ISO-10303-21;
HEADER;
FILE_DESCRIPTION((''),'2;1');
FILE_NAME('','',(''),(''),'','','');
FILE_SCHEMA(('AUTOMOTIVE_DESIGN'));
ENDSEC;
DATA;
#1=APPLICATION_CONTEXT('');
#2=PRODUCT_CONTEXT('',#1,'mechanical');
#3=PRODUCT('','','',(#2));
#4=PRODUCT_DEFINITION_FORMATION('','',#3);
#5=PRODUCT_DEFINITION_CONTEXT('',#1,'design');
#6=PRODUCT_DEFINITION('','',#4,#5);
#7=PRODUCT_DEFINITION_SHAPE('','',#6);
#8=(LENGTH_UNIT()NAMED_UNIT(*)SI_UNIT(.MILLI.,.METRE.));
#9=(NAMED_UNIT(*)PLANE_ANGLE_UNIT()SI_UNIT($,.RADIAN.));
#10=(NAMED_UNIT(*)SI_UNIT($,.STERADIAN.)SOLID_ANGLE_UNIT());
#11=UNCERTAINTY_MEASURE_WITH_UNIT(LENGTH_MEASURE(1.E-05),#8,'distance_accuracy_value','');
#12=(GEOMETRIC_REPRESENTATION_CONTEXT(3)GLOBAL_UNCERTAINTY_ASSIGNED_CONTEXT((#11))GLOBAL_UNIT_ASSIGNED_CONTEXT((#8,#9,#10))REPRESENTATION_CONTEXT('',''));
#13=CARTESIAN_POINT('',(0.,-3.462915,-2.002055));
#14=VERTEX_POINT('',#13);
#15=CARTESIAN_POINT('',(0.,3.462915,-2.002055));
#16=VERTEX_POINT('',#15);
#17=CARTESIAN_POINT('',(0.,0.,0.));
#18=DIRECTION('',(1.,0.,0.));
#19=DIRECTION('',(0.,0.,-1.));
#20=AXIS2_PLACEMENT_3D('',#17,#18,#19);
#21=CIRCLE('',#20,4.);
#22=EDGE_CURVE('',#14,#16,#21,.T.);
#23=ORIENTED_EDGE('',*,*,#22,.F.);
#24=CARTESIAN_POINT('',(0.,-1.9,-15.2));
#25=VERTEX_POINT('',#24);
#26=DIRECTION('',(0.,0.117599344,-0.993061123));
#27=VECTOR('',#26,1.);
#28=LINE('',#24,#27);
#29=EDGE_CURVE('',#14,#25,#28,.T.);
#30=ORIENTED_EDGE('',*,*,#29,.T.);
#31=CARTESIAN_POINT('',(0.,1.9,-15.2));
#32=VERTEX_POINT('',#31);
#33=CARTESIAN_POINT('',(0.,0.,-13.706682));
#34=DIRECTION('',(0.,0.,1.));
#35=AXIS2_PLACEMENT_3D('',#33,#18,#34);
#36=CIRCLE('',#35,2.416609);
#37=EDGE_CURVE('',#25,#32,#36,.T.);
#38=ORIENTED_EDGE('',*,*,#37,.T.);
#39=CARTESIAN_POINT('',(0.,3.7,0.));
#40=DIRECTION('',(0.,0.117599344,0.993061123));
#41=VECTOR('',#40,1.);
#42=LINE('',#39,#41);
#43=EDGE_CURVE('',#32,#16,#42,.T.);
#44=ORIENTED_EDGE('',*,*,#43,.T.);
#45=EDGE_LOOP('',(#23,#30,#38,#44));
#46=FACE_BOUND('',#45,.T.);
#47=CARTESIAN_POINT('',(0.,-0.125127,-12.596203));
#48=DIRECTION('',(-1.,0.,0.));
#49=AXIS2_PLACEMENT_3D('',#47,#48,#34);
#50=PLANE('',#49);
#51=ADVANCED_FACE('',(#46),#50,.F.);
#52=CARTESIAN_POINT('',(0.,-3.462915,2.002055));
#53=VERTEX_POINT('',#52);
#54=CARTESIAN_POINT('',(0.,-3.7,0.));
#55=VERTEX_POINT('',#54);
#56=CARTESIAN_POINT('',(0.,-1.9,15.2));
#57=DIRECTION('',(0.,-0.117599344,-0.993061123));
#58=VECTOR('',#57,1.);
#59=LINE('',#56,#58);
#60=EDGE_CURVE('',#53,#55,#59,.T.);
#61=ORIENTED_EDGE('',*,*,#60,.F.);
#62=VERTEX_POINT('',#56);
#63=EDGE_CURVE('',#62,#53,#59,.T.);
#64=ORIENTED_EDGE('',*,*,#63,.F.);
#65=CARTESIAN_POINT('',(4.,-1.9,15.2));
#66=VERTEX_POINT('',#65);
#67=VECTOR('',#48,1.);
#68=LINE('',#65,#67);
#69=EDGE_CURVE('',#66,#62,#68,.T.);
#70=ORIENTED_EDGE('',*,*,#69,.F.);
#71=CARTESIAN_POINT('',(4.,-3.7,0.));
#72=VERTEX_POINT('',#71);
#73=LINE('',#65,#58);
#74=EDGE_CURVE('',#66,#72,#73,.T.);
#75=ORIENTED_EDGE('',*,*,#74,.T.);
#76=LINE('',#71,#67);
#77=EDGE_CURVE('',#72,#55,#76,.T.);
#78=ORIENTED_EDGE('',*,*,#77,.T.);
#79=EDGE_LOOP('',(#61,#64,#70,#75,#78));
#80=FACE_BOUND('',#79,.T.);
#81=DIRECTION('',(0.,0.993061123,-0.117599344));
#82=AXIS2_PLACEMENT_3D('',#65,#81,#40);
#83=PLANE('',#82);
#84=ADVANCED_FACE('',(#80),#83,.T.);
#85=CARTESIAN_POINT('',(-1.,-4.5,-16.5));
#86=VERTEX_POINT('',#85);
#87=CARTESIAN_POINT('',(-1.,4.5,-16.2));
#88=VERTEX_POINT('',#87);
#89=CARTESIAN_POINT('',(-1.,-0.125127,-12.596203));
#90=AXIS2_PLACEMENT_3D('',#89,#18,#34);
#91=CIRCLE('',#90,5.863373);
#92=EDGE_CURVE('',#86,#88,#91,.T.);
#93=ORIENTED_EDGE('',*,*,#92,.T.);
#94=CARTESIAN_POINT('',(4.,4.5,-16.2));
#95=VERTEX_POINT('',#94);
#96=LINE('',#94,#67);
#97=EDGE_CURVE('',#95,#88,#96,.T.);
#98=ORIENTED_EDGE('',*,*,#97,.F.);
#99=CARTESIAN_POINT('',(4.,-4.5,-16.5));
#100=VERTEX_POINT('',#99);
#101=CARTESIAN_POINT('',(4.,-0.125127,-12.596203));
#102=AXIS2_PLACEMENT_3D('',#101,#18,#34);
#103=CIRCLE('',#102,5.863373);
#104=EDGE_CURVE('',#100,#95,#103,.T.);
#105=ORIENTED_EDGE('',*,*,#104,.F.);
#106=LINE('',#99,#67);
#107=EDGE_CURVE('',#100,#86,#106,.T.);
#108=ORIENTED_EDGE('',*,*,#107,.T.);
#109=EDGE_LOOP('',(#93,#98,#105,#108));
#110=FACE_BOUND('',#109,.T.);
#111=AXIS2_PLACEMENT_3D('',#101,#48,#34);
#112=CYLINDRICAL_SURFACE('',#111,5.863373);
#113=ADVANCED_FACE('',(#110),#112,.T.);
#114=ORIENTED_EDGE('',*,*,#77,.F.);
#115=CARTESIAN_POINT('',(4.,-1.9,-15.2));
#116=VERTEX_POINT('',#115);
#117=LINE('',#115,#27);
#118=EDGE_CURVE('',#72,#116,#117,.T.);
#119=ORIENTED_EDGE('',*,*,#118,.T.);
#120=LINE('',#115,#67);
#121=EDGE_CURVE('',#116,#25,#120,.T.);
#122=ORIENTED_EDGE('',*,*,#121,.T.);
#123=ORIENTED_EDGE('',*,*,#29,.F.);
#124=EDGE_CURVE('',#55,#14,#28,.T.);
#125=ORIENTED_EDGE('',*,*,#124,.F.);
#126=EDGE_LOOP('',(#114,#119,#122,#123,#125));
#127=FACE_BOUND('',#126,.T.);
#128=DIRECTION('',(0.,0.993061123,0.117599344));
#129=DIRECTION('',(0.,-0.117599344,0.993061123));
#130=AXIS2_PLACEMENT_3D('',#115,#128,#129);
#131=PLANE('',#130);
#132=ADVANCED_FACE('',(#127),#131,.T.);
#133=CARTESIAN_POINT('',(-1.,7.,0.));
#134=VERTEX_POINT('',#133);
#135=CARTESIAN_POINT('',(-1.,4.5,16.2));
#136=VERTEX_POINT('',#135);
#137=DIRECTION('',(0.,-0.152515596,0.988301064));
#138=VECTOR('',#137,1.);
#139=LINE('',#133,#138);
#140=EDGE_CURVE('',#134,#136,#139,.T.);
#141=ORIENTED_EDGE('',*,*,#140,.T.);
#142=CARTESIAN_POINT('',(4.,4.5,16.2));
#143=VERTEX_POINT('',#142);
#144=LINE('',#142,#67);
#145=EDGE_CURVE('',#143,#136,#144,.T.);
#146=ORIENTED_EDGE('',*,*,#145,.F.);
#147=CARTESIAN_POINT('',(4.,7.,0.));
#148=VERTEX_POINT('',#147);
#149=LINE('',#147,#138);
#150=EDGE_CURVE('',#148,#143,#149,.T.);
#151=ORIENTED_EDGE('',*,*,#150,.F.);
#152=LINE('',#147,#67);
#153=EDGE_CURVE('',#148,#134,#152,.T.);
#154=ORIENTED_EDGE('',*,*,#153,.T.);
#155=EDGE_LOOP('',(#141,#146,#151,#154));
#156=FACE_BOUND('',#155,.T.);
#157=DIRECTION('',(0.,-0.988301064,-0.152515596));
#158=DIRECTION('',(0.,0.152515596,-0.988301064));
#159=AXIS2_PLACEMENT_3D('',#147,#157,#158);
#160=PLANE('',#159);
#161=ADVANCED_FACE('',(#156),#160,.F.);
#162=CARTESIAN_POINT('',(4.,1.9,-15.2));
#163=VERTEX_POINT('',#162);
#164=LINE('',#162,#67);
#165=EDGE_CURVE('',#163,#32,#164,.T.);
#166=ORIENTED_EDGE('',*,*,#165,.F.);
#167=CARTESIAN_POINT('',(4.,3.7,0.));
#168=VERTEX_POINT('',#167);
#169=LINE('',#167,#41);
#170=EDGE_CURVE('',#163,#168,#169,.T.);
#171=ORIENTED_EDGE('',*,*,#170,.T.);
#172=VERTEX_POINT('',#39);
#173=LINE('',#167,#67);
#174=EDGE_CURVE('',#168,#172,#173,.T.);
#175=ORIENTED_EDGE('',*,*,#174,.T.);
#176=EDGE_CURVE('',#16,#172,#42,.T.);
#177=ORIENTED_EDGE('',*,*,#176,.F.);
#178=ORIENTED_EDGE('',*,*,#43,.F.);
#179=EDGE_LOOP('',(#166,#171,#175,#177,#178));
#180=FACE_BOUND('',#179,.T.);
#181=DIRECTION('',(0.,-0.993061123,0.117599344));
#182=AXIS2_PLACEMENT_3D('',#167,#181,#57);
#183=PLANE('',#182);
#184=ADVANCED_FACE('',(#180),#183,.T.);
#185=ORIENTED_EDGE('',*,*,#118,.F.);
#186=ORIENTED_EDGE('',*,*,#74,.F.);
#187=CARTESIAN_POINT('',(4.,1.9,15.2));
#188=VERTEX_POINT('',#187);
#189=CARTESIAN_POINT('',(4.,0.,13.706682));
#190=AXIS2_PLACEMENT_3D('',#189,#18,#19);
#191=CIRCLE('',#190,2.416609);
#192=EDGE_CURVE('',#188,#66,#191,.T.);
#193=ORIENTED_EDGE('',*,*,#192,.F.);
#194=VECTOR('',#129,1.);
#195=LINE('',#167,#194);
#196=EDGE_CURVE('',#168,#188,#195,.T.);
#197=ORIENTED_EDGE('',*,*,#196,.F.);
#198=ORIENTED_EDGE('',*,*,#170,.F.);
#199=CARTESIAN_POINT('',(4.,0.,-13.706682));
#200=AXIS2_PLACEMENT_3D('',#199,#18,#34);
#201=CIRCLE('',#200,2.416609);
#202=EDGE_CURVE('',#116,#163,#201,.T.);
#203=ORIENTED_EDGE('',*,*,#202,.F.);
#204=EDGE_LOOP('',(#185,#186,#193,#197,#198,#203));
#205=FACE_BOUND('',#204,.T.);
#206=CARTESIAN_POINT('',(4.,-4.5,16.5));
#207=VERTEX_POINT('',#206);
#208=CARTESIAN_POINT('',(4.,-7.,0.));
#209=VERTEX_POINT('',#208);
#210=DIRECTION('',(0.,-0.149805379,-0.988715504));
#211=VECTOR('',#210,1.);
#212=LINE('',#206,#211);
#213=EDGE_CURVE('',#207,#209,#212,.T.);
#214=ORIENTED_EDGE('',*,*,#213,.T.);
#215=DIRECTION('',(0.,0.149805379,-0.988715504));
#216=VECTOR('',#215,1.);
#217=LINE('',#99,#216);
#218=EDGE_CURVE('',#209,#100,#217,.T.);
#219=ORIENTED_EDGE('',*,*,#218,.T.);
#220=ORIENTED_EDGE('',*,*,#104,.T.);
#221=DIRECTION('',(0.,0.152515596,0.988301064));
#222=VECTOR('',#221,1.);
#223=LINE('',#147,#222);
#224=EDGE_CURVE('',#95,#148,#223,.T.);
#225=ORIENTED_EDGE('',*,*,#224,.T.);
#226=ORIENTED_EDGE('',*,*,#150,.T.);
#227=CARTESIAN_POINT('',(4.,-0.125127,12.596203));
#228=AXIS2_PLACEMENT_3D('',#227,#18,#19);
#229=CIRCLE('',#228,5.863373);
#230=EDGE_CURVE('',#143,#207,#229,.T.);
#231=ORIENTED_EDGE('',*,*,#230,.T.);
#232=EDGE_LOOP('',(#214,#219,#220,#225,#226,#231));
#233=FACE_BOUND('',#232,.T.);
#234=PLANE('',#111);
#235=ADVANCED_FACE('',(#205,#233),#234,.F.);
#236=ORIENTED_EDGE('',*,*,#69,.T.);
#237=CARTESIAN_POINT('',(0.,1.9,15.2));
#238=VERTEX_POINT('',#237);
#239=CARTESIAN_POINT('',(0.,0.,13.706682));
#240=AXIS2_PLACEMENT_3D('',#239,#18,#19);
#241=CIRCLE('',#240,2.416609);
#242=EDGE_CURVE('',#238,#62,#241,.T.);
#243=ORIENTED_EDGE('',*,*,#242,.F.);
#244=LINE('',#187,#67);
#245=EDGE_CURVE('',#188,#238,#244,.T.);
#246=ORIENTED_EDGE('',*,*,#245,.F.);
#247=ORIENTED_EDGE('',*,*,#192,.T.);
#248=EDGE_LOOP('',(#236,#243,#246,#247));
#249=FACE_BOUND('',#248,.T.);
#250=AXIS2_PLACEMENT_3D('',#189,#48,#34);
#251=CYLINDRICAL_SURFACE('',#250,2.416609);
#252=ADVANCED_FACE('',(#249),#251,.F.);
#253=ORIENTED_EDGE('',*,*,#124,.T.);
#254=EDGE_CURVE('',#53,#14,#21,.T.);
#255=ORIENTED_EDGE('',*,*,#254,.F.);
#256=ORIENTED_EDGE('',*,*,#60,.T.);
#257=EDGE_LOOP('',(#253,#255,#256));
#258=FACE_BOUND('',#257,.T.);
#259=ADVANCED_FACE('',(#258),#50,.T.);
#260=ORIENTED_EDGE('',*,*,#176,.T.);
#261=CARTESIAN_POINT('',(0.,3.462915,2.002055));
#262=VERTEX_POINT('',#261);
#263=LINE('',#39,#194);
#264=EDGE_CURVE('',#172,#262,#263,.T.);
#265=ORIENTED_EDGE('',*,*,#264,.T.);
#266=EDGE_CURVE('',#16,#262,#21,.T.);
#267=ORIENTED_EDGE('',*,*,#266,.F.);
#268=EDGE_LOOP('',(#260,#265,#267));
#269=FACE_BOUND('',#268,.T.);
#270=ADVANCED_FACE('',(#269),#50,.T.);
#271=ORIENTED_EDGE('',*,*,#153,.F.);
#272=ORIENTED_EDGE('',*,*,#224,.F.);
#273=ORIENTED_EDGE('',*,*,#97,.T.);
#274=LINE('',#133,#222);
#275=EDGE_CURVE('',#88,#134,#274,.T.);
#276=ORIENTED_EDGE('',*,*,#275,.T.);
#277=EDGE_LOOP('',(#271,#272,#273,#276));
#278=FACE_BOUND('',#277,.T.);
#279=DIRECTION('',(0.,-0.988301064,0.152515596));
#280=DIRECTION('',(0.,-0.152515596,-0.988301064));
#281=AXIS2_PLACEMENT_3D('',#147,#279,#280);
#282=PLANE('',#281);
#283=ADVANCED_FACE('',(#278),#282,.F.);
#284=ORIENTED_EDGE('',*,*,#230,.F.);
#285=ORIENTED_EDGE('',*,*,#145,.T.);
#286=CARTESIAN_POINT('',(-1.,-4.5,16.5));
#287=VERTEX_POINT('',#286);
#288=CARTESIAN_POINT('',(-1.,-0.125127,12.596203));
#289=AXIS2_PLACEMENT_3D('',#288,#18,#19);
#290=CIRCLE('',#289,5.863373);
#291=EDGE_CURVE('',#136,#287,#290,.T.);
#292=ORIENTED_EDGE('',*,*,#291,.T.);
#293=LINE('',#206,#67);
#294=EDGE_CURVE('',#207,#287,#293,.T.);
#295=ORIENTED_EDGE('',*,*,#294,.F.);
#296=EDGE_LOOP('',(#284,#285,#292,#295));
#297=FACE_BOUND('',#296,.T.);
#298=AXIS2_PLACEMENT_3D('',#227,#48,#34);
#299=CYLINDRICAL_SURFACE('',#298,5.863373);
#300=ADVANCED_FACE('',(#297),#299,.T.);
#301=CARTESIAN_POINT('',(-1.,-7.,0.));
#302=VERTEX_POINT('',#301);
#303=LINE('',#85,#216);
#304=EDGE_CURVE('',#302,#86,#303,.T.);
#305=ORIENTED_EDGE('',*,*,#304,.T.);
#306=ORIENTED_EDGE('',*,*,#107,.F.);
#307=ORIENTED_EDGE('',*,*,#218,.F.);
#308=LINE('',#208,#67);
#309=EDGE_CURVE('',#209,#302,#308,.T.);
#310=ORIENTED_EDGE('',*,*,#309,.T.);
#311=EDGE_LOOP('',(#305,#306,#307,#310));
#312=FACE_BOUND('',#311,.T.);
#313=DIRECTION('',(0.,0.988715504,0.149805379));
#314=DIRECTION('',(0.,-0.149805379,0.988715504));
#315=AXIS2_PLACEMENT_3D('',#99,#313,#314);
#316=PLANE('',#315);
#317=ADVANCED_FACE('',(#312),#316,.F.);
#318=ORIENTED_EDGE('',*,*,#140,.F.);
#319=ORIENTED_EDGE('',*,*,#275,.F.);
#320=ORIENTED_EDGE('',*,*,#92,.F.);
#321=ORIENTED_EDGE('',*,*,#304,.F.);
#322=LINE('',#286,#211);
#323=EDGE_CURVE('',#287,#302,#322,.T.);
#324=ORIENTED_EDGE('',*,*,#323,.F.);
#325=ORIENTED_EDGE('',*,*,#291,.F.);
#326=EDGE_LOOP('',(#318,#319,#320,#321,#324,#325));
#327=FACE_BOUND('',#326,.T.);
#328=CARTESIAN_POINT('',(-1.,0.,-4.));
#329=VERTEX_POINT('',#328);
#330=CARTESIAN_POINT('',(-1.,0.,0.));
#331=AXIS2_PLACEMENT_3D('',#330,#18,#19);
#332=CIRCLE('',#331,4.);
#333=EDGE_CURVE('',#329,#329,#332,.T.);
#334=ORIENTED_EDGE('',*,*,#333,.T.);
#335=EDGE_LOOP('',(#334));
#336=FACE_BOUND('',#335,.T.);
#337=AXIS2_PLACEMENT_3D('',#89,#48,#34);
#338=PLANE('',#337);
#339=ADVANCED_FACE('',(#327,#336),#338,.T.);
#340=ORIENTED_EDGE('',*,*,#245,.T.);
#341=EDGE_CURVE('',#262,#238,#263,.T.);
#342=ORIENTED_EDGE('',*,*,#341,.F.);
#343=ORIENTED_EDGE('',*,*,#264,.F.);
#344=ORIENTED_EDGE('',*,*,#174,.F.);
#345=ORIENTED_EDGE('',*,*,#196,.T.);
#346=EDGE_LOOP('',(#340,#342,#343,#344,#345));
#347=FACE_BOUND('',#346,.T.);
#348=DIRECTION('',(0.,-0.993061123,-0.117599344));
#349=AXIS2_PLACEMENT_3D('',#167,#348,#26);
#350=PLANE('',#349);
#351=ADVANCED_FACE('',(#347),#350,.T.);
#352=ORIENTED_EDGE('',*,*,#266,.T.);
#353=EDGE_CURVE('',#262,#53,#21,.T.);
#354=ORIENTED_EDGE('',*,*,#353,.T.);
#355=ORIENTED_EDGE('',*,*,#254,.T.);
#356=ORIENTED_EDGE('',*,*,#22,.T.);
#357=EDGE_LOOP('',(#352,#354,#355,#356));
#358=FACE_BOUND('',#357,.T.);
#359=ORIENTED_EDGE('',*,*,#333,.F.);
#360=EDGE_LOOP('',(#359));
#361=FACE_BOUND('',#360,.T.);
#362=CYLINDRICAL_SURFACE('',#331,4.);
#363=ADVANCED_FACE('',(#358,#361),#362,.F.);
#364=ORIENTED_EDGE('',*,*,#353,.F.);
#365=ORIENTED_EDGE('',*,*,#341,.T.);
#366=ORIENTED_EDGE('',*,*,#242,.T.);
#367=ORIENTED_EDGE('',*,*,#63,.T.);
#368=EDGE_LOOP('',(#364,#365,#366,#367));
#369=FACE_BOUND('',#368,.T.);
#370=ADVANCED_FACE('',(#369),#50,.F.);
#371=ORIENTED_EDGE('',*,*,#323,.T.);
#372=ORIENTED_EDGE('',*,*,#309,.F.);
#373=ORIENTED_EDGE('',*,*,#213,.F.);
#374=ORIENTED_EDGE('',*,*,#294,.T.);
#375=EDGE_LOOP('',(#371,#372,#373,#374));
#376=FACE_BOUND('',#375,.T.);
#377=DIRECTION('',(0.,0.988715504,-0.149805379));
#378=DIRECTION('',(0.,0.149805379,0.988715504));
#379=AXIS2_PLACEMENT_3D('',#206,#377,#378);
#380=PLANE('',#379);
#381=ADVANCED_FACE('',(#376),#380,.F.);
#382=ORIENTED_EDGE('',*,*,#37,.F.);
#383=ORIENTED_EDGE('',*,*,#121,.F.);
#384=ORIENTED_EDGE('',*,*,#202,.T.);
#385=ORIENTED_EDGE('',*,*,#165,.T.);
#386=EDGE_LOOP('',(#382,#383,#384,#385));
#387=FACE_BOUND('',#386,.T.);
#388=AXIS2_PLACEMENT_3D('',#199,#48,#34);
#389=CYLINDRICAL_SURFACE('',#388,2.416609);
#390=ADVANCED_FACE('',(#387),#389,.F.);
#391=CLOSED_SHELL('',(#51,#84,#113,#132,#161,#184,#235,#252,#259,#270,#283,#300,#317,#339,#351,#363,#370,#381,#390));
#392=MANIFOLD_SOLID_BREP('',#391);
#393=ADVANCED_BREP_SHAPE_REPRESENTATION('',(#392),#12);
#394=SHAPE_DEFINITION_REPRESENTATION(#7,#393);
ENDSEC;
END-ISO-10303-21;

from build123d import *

# Parameters (mm, degrees)
BOSS_EXTRUDE1_DEPTH = 4
SKETCH2_R           = 4
BOSS_EXTRUDE2_DEPTH = 1


with BuildPart() as part:
    # Sketch1 → Boss-Extrude1 (new body)
    with BuildSketch(Plane(origin=(0, 0, 0), x_dir=(0, 0, -1), z_dir=(1, 0, 0))):
        with BuildLine():
            Line((0, 7), (-16.2, 4.5))
            ThreePointArc((-16.2, 4.5), (-18.456321812, 0.070210727), (-16.5, -4.5))
            Line((-16.5, -4.5), (0, -7))
            Line((0, -7), (16.5, -4.5))
            ThreePointArc((16.5, -4.5), (18.456321812, 0.070210727), (16.2, 4.5))
            Line((16.2, 4.5), (0, 7))
        make_face()
        with BuildLine():
            Line((0, 3.7), (-15.2, 1.9))
            ThreePointArc((-15.2, 1.9), (-16.123290742, 0), (-15.2, -1.9))
            Line((-15.2, -1.9), (0, -3.7))
            Line((0, -3.7), (15.2, -1.9))
            ThreePointArc((15.2, -1.9), (16.123290742, 0), (15.2, 1.9))
            Line((15.2, 1.9), (0, 3.7))
        make_face(mode=Mode.SUBTRACT)
    extrude(amount=BOSS_EXTRUDE1_DEPTH)

    # Sketch2 → Boss-Extrude2 (add)
    with BuildSketch(Plane(origin=(0, 0, 0), x_dir=(0, 0, -1), z_dir=(1, 0, 0))):
        with BuildLine():
            Line((0, 7), (-16.2, 4.5))
            ThreePointArc((-16.2, 4.5), (-18.456321812, 0.070210727), (-16.5, -4.5))
            Line((-16.5, -4.5), (0, -7))
            Line((0, -7), (16.5, -4.5))
            ThreePointArc((16.5, -4.5), (18.456321812, 0.070210727), (16.2, 4.5))
            Line((16.2, 4.5), (0, 7))
        make_face()
        Circle(SKETCH2_R, mode=Mode.SUBTRACT)
    extrude(amount=-BOSS_EXTRUDE2_DEPTH)


solid = part.part
